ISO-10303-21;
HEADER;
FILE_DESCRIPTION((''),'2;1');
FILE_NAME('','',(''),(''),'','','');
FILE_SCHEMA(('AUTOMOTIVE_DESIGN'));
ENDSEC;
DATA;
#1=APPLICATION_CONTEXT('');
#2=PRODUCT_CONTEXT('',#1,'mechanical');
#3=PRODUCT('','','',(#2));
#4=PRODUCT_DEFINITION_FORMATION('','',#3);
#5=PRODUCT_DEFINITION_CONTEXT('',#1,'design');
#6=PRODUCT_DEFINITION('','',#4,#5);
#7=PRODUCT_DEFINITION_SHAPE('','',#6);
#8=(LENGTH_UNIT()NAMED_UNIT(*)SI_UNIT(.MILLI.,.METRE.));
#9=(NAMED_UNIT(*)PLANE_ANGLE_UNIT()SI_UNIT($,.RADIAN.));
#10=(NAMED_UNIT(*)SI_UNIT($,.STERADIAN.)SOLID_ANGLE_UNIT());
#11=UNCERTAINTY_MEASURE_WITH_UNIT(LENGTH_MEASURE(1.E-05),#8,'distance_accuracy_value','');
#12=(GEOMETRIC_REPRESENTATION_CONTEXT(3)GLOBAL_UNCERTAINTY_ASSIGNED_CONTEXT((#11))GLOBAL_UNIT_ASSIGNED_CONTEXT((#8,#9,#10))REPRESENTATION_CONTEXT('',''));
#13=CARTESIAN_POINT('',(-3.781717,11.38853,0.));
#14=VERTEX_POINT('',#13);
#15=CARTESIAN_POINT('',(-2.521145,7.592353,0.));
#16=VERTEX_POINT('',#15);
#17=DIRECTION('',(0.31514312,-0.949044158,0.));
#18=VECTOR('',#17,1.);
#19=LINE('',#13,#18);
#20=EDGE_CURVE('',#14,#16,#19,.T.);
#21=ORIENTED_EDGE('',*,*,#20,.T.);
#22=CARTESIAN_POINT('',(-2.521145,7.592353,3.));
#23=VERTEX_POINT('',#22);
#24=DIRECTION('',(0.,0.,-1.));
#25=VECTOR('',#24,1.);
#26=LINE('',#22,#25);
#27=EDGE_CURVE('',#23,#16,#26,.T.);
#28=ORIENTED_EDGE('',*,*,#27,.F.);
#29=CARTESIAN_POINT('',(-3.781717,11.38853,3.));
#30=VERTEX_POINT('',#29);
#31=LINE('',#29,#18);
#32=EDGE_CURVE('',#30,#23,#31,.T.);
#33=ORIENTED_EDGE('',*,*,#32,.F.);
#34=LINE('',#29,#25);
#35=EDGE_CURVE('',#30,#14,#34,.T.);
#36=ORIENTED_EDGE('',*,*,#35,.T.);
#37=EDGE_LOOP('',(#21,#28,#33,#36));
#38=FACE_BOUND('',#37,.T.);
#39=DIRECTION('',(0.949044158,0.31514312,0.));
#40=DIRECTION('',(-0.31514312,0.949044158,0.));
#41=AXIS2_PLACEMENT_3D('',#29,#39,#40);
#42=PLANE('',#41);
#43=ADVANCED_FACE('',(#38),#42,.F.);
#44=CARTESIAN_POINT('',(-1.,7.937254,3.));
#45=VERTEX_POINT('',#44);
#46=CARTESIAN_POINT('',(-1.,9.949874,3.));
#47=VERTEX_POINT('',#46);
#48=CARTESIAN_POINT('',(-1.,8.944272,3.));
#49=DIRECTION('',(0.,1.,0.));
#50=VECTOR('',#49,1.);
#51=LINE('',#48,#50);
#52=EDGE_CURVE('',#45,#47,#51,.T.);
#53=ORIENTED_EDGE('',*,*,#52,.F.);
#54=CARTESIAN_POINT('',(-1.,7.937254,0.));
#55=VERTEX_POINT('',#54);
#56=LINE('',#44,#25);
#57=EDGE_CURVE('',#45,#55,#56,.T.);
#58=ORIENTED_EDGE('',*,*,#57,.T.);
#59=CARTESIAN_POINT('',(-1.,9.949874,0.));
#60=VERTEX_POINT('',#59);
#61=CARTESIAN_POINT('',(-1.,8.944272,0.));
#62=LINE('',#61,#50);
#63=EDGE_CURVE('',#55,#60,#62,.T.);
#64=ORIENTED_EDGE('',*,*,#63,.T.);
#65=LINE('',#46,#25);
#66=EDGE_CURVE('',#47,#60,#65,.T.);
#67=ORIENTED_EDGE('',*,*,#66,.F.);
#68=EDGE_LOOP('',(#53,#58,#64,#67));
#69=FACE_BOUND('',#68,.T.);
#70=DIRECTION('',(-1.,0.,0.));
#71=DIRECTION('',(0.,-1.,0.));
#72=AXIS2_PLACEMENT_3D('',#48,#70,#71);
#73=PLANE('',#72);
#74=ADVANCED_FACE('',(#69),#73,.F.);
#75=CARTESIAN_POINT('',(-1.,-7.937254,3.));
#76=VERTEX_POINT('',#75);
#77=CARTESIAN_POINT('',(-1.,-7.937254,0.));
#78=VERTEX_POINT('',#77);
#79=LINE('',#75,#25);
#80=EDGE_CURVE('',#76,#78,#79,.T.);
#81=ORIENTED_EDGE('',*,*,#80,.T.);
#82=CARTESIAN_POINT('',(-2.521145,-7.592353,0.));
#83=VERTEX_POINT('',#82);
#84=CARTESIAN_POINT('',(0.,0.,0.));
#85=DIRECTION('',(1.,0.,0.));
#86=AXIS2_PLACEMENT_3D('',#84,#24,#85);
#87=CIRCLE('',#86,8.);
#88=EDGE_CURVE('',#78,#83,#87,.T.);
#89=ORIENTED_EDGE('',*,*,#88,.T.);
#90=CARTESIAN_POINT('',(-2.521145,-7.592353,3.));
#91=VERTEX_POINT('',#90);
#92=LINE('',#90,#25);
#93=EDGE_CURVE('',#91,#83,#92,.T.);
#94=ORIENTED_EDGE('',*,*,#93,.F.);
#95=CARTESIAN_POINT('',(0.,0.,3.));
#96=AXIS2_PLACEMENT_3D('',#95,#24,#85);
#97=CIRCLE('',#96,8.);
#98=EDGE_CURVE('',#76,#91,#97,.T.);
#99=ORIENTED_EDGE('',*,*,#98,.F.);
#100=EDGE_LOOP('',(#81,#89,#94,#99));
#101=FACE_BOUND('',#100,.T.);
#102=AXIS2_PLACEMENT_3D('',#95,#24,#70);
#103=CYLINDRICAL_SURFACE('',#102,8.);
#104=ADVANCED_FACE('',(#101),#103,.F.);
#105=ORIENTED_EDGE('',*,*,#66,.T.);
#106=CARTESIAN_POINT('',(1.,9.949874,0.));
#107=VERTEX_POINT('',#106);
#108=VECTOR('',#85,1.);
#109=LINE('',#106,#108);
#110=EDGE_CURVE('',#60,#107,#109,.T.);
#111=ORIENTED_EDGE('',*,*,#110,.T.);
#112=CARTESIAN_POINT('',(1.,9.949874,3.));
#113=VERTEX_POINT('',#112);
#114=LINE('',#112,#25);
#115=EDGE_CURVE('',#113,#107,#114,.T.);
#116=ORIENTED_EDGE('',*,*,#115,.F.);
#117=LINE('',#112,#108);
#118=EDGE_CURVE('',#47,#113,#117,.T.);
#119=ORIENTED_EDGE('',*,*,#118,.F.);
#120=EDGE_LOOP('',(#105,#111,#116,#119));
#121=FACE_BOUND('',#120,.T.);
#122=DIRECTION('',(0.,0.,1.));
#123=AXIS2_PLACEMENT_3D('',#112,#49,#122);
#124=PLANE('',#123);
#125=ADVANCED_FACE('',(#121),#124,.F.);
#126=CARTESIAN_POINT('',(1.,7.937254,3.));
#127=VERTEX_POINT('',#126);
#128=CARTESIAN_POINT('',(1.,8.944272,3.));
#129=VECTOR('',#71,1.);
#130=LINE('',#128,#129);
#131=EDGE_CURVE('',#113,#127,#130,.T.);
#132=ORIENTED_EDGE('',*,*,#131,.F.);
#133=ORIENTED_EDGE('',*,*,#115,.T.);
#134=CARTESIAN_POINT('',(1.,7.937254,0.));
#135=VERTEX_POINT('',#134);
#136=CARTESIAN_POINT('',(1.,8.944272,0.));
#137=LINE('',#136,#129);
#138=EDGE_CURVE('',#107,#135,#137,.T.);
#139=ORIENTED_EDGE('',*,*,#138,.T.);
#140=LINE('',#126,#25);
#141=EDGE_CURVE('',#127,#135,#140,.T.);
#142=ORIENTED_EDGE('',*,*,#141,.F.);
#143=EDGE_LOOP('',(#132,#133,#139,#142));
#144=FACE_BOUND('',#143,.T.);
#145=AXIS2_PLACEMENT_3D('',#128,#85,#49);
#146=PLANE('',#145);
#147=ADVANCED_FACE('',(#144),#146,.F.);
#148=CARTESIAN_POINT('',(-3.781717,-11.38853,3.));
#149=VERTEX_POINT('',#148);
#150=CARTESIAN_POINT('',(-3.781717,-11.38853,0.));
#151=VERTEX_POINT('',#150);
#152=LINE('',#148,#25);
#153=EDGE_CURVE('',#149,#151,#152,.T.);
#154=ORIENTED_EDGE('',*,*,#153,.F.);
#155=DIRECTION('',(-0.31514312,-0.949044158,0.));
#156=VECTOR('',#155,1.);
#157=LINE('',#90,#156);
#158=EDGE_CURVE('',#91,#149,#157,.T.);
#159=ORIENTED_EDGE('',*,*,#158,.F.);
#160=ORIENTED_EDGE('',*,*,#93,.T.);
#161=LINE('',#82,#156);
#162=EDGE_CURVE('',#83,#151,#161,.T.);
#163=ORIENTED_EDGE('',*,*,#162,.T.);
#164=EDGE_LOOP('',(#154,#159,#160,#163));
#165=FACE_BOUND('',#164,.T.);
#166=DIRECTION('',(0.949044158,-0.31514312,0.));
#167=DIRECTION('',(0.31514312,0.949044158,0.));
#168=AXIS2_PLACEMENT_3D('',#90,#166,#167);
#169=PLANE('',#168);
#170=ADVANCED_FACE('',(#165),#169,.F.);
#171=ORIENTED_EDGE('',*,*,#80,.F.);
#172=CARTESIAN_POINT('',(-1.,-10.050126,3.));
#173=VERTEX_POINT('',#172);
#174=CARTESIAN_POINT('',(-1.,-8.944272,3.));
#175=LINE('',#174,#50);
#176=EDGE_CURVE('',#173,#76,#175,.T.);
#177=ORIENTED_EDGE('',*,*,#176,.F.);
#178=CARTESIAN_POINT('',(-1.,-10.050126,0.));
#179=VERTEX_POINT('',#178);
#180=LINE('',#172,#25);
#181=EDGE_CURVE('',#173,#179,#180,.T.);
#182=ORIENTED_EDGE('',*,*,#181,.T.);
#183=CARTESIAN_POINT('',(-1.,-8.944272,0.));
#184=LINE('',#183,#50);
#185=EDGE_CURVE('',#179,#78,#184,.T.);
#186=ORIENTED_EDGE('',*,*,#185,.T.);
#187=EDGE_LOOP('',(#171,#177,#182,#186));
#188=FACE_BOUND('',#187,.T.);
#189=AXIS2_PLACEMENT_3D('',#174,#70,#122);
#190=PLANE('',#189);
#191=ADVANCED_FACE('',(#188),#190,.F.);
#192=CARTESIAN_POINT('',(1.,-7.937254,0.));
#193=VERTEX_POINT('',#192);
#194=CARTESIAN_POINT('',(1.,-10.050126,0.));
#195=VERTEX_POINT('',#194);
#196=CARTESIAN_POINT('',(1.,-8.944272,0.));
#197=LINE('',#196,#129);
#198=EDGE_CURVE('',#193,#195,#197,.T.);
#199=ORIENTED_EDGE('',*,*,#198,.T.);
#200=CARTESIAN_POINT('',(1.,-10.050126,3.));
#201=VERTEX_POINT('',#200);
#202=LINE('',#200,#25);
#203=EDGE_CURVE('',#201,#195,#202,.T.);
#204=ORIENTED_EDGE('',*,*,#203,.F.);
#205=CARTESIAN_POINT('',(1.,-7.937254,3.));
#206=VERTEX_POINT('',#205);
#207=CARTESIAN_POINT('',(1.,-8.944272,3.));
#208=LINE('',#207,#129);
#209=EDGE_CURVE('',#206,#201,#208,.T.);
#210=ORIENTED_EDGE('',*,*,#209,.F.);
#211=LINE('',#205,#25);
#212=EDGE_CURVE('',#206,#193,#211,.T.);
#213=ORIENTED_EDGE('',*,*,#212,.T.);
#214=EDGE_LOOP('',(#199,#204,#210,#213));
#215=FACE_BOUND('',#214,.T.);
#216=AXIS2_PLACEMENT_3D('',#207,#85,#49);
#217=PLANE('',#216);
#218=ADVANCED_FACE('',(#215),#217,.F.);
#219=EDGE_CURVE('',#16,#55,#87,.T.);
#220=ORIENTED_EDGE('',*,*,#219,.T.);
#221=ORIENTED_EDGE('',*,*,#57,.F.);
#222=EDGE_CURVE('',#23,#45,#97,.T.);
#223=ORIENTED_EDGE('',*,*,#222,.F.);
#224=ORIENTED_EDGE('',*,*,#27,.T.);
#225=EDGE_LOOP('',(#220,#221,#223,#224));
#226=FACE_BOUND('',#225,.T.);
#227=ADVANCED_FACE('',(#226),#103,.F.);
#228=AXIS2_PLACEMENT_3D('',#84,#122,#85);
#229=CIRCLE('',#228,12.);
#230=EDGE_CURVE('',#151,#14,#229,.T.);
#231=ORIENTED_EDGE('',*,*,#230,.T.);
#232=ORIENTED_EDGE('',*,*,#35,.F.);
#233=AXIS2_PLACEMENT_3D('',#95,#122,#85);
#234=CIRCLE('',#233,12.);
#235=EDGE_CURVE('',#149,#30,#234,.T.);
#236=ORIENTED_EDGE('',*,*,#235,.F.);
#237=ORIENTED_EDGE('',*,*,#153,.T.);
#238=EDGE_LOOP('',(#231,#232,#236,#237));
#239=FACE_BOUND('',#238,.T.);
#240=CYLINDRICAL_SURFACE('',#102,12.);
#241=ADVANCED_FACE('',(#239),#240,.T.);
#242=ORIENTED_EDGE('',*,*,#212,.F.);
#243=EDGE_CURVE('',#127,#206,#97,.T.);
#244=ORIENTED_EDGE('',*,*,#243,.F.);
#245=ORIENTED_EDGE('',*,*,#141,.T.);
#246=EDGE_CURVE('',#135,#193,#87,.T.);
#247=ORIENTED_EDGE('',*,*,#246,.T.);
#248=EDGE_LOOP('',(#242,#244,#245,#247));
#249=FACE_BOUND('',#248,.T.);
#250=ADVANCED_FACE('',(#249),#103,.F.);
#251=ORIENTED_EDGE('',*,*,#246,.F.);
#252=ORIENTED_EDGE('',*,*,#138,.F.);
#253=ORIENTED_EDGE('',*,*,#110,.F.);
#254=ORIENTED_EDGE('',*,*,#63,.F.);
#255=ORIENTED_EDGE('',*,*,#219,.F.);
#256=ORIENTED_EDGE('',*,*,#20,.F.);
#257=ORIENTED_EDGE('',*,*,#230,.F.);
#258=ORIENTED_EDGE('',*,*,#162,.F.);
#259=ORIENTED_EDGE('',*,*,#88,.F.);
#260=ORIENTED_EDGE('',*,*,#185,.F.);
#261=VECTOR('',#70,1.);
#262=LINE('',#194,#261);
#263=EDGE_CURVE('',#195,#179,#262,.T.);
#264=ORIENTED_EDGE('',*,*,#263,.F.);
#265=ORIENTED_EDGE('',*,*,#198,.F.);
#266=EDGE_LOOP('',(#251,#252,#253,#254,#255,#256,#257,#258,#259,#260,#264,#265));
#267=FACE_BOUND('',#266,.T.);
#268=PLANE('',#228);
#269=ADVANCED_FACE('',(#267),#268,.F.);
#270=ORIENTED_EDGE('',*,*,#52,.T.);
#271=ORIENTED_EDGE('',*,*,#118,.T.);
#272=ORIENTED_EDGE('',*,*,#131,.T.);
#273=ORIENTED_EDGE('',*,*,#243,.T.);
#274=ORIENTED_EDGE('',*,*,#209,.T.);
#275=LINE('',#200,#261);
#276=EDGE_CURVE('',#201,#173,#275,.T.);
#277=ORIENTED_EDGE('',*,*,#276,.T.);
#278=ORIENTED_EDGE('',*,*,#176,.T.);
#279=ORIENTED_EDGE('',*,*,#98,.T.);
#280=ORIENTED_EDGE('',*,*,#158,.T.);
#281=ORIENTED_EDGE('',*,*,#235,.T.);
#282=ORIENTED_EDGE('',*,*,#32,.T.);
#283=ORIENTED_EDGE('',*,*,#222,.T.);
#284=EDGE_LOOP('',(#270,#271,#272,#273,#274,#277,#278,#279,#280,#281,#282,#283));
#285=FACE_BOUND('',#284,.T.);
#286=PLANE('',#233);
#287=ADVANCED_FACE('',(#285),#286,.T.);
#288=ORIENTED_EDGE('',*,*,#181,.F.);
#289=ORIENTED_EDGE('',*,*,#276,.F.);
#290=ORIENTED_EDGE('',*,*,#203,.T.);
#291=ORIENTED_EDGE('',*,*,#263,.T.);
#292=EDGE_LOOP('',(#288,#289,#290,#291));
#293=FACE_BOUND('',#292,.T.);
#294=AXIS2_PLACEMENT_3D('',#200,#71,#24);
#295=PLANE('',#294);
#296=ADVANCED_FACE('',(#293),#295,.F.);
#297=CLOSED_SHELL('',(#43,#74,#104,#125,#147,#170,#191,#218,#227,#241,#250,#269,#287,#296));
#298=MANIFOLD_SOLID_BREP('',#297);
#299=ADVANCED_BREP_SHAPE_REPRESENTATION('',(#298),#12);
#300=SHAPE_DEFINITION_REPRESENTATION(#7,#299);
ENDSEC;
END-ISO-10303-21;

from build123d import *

# Parameters (mm, degrees)
BOSS_EXTRUDE1_DEPTH = 3


with BuildPart() as part:
    # Sketch2 → Boss-Extrude1 (new body)
    with BuildSketch(Plane.XY):
        with BuildLine():
            Line((-3.781717443, 11.388529895), (-2.521144962, 7.592353264))
            ThreePointArc((-2.521144962, 7.592353264), (-1.768998185, 7.801964203), (-1, 7.937253933))
            Line((-1, 7.937253933), (-1, 8.94427191))
            Line((-1, 8.94427191), (-1, 9.949874371))
            Line((-1, 9.949874371), (1, 9.949874371))
            Line((1, 9.949874371), (1, 8.94427191))
            Line((1, 8.94427191), (1, 7.937253933))
            ThreePointArc((1, 7.937253933), (8, 0), (1, -7.937253933))
            Line((1, -7.937253933), (1, -8.94427191))
            Line((1, -8.94427191), (1, -10.050125629))
            Line((1, -10.050125629), (-1, -10.050125629))
            Line((-1, -10.050125629), (-1, -8.94427191))
            Line((-1, -8.94427191), (-1, -7.937253933))
            ThreePointArc((-1, -7.937253933), (-1.768998185, -7.801964203), (-2.521144962, -7.592353264))
            Line((-2.521144962, -7.592353264), (-3.781717443, -11.388529895))
            ThreePointArc((-3.781717443, -11.388529895), (12, 0), (-3.781717443, 11.388529895))
        make_face()
    extrude(amount=BOSS_EXTRUDE1_DEPTH)


solid = part.part
